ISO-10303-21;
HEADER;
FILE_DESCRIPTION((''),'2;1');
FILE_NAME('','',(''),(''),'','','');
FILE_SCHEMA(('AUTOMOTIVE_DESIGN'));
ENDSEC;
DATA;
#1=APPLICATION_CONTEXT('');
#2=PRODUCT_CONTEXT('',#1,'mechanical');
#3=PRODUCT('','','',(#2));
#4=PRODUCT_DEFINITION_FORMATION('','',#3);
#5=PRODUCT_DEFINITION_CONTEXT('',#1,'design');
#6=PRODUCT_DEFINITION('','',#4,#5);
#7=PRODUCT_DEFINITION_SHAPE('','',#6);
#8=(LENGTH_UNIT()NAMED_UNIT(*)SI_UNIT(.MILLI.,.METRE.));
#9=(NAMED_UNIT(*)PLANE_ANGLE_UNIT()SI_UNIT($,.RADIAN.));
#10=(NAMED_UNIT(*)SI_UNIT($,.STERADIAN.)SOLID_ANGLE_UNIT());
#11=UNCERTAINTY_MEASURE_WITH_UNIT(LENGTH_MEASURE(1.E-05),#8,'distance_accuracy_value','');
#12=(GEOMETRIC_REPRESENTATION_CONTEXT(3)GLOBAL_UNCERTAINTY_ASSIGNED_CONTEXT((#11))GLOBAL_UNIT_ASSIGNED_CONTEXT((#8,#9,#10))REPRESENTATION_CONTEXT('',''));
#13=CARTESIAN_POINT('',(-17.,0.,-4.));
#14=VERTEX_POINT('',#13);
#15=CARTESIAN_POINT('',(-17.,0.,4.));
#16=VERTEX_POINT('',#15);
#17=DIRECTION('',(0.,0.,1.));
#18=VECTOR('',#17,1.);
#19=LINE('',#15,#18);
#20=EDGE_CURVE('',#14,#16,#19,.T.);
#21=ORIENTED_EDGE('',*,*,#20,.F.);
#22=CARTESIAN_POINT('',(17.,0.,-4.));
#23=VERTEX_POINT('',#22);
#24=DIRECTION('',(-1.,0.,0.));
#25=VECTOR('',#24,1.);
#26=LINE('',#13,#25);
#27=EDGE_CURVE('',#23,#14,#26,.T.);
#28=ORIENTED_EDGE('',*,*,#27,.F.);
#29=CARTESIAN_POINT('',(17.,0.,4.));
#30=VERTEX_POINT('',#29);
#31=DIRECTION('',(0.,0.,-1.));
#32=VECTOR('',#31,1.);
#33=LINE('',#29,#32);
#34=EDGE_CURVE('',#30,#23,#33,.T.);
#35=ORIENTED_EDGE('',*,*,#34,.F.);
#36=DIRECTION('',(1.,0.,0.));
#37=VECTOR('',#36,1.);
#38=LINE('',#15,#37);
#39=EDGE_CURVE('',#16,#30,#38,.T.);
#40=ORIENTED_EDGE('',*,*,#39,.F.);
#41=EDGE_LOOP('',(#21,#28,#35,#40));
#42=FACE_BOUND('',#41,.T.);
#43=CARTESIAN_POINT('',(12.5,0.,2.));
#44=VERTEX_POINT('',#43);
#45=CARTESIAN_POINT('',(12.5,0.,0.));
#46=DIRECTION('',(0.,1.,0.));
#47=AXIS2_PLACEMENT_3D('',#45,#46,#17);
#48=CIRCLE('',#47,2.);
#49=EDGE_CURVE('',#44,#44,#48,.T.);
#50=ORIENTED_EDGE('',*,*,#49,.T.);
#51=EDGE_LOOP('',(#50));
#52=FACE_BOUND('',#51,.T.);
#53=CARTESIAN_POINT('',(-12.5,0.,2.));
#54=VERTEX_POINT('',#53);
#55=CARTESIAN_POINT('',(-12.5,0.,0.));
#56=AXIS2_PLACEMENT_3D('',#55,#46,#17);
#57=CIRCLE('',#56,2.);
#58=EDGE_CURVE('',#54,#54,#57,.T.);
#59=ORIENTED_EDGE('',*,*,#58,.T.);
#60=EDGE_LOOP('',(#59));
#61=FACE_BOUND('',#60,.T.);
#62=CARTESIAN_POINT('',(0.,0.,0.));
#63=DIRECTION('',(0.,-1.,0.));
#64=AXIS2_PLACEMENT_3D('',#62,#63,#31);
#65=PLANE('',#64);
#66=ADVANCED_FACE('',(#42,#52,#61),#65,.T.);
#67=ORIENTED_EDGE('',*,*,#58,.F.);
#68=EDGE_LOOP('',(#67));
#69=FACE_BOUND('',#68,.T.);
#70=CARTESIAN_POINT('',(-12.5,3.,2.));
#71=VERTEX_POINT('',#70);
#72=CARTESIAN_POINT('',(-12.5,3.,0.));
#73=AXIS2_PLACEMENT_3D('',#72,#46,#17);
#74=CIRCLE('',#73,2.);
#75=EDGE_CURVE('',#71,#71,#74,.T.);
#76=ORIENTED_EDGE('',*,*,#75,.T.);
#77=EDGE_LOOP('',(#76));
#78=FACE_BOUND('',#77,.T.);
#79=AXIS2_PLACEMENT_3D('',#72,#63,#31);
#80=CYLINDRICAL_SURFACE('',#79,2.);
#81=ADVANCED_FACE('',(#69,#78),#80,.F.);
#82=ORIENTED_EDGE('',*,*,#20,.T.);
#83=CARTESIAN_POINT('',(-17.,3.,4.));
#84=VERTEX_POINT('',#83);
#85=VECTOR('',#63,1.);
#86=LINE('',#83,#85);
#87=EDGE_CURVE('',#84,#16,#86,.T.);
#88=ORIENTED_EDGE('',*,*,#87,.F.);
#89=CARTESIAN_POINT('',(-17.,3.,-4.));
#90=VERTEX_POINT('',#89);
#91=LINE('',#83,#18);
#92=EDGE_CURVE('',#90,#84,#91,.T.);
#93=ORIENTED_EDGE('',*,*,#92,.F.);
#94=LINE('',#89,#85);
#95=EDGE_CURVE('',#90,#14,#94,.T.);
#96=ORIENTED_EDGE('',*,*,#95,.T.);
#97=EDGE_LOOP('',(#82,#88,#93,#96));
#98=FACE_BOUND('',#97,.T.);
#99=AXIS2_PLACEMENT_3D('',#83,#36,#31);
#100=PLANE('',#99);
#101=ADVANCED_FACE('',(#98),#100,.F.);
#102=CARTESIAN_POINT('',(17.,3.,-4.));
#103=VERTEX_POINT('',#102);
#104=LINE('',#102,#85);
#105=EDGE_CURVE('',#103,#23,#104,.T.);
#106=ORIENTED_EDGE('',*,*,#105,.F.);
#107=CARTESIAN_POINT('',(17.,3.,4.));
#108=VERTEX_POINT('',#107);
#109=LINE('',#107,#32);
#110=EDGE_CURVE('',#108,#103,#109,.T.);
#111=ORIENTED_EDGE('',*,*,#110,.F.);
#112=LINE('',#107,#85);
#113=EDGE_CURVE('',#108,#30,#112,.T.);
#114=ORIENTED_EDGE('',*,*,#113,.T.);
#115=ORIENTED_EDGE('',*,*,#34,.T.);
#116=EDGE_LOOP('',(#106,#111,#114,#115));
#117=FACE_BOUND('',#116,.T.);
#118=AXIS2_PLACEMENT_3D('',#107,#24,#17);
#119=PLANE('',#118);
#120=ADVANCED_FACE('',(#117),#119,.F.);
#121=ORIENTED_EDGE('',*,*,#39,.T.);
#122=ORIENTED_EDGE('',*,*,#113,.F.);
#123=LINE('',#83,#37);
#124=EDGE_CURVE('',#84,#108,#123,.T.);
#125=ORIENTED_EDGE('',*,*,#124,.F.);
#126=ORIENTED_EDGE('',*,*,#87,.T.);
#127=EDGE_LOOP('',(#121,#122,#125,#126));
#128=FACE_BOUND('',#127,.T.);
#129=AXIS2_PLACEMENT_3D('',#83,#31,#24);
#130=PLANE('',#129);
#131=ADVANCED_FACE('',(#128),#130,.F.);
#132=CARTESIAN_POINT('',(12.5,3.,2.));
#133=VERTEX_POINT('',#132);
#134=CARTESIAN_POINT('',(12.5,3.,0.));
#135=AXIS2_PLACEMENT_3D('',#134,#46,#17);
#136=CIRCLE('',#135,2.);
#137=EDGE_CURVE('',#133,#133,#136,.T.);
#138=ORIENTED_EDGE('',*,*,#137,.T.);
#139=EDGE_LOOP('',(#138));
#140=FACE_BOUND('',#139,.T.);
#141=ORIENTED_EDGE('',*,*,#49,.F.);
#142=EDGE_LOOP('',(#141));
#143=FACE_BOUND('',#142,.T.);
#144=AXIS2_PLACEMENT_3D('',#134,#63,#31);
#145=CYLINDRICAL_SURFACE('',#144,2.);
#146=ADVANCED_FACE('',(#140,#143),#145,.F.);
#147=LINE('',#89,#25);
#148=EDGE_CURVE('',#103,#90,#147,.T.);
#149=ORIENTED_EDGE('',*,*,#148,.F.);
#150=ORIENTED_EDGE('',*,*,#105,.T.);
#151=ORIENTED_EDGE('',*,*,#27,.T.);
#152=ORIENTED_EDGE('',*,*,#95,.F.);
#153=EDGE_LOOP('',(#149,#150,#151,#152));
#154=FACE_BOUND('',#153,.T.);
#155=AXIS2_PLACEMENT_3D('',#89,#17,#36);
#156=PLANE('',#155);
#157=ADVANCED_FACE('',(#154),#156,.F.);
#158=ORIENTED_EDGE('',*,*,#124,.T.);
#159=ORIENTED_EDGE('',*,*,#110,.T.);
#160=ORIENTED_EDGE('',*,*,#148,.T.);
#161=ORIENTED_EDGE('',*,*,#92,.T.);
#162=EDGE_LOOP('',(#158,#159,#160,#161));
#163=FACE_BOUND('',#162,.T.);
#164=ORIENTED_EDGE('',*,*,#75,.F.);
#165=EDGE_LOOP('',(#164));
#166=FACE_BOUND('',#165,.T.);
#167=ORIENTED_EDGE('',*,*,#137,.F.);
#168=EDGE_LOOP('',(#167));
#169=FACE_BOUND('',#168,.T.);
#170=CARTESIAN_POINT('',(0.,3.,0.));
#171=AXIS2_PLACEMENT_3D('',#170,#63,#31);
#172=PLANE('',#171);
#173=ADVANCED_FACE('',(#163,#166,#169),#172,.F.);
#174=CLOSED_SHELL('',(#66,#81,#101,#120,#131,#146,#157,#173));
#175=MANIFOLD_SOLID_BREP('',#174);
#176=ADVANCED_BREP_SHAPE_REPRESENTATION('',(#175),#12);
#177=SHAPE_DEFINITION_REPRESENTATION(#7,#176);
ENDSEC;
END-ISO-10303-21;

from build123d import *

# Parameters (mm, degrees)
SKETCH1_W           = 34
SKETCH1_H           = 8
SKETCH1_R           = 2
BOSS_EXTRUDE1_DEPTH = 3


with BuildPart() as part:
    # Sketch1 → Boss-Extrude1 (new body)
    with BuildSketch(Plane(origin=(0, 0, 0), x_dir=(1, 0, 0), z_dir=(0, 1, 0))):
        Rectangle(SKETCH1_W, SKETCH1_H)
        with Locations((-12.5, 0)):
            Circle(SKETCH1_R, mode=Mode.SUBTRACT)
        with Locations((12.5, 0)):
            Circle(SKETCH1_R, mode=Mode.SUBTRACT)
    extrude(amount=BOSS_EXTRUDE1_DEPTH)


solid = part.part
